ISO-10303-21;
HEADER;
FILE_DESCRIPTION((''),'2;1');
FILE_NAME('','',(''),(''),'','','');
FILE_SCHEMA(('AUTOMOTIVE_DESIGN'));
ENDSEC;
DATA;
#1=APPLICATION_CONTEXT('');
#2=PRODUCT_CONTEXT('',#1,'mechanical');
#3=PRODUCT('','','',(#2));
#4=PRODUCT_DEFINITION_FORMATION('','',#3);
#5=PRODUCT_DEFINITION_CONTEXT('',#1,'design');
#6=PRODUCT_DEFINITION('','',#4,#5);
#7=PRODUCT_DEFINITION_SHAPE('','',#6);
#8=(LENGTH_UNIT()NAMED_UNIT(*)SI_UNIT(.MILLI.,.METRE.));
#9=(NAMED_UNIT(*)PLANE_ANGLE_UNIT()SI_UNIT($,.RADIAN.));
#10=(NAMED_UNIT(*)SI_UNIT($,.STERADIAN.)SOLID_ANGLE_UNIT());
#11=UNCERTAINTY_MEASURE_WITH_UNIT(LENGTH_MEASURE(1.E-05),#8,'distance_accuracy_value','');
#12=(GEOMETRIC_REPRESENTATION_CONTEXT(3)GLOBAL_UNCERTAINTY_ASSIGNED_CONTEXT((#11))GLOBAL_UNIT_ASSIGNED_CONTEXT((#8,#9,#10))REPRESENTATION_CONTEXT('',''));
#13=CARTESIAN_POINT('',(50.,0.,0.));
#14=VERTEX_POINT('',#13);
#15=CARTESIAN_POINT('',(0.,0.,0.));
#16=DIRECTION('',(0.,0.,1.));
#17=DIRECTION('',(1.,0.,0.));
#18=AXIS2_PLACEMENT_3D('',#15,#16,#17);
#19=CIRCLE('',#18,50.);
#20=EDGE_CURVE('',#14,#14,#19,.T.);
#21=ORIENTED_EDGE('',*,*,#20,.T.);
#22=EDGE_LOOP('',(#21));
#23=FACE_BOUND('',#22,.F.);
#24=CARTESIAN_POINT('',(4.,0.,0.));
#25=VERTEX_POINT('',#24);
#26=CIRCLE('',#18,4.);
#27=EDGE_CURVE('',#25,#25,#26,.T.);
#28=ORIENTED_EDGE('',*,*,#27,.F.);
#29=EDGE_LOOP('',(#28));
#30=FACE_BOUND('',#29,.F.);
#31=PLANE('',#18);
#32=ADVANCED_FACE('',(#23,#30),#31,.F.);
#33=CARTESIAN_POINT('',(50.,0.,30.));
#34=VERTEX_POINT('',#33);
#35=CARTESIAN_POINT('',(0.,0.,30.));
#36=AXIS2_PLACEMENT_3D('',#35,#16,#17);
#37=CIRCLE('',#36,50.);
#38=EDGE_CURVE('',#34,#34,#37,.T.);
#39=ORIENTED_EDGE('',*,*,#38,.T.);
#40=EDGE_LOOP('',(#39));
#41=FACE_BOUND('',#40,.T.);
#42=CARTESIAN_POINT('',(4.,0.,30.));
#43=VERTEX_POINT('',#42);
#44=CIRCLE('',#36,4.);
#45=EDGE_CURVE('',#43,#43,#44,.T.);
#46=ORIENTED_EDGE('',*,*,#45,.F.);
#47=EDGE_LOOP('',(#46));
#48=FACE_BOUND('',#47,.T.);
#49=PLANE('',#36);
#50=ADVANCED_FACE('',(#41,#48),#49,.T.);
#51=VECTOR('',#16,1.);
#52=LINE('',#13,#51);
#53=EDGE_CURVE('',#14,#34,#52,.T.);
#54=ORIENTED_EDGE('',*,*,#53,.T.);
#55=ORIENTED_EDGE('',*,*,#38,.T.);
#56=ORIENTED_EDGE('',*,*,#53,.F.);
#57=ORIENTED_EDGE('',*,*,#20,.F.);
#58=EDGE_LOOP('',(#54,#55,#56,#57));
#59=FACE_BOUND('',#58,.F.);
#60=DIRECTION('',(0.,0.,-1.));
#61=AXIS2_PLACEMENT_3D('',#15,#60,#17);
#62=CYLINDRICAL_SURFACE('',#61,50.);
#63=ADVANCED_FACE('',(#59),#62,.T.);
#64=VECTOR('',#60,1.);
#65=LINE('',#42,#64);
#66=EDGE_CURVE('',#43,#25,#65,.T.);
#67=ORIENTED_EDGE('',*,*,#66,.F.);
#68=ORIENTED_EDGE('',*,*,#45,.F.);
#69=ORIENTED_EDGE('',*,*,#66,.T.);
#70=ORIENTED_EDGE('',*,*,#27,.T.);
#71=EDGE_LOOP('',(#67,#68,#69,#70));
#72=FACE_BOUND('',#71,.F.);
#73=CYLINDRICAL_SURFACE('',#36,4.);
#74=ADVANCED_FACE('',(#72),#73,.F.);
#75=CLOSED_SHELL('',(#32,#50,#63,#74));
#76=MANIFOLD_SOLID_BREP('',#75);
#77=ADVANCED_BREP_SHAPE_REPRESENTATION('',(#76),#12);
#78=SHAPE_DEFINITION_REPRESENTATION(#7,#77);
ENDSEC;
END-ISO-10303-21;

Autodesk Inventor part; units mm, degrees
ref_plane "YZ Plane" through (0, 0, 0) normal (1, 0, 0) x (0, 1, 0)
ref_plane "XZ Plane" through (0, 0, 0) normal (0, 1, 0) x (-1, 0, 0)
ref_plane "XY Plane" through (0, 0, 0) normal (0, 0, 1) x (1, 0, 0)
sketch "Sketch1" plane through (0, 0, 0) normal (0, 0, 1) x (1, 0, 0)
  circle A0 centre (0, 0) radius 50
  dimension "d0" = 100
extrude "Extrusion1" add sketch "Sketch1" along normal blind 30
sketch "Sketch2" plane through (0, 0, 30) normal (0, 0, 1) x (1, 0, 0)
  circle A0 centre (0, 0) radius 4
  dimension "d3" = 8
extrude "Extrusion2" cut sketch "Sketch2" against normal through all
thread "Thread1" size "M8x1.25" class "6H" standard "ANSI Metric M Profile" full length
properties part number "lower_bulkhead" material "Polyethylene, High Density"
